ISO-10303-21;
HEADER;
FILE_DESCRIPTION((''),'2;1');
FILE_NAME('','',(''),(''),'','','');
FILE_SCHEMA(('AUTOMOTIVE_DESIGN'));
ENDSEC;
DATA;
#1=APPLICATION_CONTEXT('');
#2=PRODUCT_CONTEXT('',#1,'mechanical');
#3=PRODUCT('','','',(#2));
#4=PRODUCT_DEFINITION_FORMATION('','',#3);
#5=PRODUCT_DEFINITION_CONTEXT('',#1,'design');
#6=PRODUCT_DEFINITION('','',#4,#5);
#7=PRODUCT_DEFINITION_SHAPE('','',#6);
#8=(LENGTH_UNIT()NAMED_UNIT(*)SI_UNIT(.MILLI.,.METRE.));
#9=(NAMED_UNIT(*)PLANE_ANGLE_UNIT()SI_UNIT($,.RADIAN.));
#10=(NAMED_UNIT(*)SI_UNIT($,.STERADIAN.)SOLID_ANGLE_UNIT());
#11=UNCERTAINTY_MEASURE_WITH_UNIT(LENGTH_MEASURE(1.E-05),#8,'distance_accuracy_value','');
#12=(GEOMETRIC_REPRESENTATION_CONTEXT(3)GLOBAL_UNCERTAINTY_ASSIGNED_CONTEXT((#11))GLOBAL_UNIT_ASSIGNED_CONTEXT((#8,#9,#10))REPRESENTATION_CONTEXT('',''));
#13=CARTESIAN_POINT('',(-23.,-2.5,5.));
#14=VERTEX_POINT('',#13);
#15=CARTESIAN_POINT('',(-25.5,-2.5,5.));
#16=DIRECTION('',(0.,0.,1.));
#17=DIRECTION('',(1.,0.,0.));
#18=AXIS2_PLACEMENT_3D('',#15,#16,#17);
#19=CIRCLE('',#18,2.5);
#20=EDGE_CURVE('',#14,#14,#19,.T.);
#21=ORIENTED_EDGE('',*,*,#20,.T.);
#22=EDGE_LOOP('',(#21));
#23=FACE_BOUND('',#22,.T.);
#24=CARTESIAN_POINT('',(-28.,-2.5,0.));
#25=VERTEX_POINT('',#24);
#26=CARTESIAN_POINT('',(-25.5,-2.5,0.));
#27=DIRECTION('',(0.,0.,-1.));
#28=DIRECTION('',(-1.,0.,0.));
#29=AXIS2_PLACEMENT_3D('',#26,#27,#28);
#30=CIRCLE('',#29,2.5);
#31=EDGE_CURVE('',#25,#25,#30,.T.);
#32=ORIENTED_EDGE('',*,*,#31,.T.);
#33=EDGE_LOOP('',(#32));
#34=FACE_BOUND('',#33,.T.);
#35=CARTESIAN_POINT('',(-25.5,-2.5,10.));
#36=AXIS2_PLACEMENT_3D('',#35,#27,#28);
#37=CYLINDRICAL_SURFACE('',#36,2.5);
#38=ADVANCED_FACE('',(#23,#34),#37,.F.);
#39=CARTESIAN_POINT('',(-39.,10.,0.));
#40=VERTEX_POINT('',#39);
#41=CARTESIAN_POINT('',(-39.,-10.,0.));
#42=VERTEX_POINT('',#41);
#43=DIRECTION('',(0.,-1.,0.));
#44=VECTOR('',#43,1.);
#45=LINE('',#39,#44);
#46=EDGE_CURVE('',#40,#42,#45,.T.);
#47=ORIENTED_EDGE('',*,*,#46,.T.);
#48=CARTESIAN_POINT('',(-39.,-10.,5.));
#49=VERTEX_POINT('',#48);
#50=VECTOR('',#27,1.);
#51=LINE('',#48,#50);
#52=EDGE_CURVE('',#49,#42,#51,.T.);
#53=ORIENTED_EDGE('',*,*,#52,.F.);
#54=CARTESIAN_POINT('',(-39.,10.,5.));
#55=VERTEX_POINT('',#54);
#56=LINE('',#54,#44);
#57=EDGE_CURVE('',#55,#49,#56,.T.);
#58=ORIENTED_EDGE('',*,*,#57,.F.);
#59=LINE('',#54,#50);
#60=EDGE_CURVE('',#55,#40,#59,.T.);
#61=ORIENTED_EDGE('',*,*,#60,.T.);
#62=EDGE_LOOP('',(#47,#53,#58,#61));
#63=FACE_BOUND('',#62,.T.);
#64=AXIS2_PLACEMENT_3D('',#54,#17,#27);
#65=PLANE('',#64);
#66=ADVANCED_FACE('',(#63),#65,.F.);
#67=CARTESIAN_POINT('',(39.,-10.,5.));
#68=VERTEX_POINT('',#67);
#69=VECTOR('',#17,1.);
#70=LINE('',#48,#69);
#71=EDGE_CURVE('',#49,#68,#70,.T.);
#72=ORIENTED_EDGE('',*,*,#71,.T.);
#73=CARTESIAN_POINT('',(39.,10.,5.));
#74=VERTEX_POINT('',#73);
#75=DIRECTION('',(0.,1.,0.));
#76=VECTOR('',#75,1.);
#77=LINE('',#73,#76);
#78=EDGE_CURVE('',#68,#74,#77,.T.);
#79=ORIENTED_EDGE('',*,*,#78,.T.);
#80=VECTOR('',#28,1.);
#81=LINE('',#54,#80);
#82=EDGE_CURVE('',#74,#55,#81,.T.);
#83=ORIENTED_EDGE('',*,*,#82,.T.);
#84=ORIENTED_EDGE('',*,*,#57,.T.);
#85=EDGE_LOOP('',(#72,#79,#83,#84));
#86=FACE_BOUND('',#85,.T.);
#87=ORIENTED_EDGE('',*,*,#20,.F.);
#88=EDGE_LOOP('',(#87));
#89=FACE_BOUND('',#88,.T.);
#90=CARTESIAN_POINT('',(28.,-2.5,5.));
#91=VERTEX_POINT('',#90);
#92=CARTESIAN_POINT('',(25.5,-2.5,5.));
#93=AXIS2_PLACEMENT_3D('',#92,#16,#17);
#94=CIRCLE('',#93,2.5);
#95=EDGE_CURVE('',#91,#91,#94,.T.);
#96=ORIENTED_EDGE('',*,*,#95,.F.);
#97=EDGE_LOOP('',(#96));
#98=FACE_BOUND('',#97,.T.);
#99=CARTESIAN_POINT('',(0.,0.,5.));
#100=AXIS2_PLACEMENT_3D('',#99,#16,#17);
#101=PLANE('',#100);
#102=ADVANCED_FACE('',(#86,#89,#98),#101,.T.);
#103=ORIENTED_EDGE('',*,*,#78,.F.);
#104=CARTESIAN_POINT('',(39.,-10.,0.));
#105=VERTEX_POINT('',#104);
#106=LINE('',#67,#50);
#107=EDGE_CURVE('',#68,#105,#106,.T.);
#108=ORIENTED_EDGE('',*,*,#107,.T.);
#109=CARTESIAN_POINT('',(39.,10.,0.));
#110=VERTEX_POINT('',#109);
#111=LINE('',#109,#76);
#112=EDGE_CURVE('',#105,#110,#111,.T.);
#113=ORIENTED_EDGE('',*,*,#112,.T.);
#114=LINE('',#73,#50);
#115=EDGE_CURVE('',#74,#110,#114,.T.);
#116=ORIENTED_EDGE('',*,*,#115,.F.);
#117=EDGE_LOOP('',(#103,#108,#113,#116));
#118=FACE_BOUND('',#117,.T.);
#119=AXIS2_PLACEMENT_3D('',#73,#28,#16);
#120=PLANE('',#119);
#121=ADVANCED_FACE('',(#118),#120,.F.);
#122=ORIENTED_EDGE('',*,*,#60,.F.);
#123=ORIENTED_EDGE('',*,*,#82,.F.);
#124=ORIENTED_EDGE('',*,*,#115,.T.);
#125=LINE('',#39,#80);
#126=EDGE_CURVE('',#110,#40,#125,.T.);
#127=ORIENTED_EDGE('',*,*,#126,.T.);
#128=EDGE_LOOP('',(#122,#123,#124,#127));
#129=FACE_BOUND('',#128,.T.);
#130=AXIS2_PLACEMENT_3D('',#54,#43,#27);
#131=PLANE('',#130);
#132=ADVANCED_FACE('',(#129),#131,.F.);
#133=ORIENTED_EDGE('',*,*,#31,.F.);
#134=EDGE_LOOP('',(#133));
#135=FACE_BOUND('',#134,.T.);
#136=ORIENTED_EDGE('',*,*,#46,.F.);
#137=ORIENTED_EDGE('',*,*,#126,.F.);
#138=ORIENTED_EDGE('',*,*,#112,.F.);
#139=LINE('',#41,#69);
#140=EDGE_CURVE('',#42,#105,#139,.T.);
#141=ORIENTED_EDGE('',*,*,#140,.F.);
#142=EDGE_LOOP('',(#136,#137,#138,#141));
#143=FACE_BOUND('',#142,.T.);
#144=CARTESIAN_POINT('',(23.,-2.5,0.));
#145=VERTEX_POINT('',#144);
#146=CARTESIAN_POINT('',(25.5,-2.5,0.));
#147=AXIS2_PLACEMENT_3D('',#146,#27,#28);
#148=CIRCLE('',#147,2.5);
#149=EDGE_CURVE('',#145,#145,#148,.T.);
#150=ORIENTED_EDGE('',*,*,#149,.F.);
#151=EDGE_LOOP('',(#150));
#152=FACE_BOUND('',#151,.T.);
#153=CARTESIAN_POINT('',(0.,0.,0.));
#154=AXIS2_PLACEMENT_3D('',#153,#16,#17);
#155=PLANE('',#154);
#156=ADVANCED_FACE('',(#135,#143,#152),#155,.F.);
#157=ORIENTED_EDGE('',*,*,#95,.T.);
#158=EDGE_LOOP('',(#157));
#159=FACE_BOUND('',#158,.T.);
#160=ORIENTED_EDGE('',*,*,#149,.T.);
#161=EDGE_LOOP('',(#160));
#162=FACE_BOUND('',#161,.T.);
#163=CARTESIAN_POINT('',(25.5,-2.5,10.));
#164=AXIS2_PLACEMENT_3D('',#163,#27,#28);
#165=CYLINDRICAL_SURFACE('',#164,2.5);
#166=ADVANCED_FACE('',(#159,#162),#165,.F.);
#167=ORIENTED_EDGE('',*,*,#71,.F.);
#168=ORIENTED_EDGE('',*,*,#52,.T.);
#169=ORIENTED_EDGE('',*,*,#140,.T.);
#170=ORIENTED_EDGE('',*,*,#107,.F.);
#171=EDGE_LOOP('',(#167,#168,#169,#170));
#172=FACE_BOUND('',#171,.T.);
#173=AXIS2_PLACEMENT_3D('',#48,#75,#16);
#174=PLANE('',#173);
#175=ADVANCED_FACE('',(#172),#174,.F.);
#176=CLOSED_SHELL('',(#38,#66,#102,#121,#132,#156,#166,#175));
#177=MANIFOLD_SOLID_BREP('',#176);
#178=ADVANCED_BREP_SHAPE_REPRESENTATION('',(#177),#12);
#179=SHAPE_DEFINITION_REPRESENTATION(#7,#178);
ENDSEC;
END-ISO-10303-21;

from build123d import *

# Parameters (mm, degrees)
SKETCH1_W           = 78
SKETCH1_H           = 20
BOSS_EXTRUDE1_DEPTH = 5
SKETCH3_R           = 2.5
CUT_EXTRUDE1_DEPTH  = 10


with BuildPart() as part:
    # Sketch1 → Boss-Extrude1 (new body)
    with BuildSketch(Plane.XY):
        Rectangle(SKETCH1_W, SKETCH1_H)
    extrude(amount=BOSS_EXTRUDE1_DEPTH)

    # Sketch3 → Cut-Extrude1 (cut)
    with BuildSketch(Plane(origin=(0, 0, 0), x_dir=(-1, 0, 0), z_dir=(0, 0, -1))):
        with Locations((-25.5, -2.5)):
            Circle(SKETCH3_R)
        with Locations((25.5, -2.5)):
            Circle(SKETCH3_R)
    extrude(amount=-CUT_EXTRUDE1_DEPTH, mode=Mode.SUBTRACT)


solid = part.part
